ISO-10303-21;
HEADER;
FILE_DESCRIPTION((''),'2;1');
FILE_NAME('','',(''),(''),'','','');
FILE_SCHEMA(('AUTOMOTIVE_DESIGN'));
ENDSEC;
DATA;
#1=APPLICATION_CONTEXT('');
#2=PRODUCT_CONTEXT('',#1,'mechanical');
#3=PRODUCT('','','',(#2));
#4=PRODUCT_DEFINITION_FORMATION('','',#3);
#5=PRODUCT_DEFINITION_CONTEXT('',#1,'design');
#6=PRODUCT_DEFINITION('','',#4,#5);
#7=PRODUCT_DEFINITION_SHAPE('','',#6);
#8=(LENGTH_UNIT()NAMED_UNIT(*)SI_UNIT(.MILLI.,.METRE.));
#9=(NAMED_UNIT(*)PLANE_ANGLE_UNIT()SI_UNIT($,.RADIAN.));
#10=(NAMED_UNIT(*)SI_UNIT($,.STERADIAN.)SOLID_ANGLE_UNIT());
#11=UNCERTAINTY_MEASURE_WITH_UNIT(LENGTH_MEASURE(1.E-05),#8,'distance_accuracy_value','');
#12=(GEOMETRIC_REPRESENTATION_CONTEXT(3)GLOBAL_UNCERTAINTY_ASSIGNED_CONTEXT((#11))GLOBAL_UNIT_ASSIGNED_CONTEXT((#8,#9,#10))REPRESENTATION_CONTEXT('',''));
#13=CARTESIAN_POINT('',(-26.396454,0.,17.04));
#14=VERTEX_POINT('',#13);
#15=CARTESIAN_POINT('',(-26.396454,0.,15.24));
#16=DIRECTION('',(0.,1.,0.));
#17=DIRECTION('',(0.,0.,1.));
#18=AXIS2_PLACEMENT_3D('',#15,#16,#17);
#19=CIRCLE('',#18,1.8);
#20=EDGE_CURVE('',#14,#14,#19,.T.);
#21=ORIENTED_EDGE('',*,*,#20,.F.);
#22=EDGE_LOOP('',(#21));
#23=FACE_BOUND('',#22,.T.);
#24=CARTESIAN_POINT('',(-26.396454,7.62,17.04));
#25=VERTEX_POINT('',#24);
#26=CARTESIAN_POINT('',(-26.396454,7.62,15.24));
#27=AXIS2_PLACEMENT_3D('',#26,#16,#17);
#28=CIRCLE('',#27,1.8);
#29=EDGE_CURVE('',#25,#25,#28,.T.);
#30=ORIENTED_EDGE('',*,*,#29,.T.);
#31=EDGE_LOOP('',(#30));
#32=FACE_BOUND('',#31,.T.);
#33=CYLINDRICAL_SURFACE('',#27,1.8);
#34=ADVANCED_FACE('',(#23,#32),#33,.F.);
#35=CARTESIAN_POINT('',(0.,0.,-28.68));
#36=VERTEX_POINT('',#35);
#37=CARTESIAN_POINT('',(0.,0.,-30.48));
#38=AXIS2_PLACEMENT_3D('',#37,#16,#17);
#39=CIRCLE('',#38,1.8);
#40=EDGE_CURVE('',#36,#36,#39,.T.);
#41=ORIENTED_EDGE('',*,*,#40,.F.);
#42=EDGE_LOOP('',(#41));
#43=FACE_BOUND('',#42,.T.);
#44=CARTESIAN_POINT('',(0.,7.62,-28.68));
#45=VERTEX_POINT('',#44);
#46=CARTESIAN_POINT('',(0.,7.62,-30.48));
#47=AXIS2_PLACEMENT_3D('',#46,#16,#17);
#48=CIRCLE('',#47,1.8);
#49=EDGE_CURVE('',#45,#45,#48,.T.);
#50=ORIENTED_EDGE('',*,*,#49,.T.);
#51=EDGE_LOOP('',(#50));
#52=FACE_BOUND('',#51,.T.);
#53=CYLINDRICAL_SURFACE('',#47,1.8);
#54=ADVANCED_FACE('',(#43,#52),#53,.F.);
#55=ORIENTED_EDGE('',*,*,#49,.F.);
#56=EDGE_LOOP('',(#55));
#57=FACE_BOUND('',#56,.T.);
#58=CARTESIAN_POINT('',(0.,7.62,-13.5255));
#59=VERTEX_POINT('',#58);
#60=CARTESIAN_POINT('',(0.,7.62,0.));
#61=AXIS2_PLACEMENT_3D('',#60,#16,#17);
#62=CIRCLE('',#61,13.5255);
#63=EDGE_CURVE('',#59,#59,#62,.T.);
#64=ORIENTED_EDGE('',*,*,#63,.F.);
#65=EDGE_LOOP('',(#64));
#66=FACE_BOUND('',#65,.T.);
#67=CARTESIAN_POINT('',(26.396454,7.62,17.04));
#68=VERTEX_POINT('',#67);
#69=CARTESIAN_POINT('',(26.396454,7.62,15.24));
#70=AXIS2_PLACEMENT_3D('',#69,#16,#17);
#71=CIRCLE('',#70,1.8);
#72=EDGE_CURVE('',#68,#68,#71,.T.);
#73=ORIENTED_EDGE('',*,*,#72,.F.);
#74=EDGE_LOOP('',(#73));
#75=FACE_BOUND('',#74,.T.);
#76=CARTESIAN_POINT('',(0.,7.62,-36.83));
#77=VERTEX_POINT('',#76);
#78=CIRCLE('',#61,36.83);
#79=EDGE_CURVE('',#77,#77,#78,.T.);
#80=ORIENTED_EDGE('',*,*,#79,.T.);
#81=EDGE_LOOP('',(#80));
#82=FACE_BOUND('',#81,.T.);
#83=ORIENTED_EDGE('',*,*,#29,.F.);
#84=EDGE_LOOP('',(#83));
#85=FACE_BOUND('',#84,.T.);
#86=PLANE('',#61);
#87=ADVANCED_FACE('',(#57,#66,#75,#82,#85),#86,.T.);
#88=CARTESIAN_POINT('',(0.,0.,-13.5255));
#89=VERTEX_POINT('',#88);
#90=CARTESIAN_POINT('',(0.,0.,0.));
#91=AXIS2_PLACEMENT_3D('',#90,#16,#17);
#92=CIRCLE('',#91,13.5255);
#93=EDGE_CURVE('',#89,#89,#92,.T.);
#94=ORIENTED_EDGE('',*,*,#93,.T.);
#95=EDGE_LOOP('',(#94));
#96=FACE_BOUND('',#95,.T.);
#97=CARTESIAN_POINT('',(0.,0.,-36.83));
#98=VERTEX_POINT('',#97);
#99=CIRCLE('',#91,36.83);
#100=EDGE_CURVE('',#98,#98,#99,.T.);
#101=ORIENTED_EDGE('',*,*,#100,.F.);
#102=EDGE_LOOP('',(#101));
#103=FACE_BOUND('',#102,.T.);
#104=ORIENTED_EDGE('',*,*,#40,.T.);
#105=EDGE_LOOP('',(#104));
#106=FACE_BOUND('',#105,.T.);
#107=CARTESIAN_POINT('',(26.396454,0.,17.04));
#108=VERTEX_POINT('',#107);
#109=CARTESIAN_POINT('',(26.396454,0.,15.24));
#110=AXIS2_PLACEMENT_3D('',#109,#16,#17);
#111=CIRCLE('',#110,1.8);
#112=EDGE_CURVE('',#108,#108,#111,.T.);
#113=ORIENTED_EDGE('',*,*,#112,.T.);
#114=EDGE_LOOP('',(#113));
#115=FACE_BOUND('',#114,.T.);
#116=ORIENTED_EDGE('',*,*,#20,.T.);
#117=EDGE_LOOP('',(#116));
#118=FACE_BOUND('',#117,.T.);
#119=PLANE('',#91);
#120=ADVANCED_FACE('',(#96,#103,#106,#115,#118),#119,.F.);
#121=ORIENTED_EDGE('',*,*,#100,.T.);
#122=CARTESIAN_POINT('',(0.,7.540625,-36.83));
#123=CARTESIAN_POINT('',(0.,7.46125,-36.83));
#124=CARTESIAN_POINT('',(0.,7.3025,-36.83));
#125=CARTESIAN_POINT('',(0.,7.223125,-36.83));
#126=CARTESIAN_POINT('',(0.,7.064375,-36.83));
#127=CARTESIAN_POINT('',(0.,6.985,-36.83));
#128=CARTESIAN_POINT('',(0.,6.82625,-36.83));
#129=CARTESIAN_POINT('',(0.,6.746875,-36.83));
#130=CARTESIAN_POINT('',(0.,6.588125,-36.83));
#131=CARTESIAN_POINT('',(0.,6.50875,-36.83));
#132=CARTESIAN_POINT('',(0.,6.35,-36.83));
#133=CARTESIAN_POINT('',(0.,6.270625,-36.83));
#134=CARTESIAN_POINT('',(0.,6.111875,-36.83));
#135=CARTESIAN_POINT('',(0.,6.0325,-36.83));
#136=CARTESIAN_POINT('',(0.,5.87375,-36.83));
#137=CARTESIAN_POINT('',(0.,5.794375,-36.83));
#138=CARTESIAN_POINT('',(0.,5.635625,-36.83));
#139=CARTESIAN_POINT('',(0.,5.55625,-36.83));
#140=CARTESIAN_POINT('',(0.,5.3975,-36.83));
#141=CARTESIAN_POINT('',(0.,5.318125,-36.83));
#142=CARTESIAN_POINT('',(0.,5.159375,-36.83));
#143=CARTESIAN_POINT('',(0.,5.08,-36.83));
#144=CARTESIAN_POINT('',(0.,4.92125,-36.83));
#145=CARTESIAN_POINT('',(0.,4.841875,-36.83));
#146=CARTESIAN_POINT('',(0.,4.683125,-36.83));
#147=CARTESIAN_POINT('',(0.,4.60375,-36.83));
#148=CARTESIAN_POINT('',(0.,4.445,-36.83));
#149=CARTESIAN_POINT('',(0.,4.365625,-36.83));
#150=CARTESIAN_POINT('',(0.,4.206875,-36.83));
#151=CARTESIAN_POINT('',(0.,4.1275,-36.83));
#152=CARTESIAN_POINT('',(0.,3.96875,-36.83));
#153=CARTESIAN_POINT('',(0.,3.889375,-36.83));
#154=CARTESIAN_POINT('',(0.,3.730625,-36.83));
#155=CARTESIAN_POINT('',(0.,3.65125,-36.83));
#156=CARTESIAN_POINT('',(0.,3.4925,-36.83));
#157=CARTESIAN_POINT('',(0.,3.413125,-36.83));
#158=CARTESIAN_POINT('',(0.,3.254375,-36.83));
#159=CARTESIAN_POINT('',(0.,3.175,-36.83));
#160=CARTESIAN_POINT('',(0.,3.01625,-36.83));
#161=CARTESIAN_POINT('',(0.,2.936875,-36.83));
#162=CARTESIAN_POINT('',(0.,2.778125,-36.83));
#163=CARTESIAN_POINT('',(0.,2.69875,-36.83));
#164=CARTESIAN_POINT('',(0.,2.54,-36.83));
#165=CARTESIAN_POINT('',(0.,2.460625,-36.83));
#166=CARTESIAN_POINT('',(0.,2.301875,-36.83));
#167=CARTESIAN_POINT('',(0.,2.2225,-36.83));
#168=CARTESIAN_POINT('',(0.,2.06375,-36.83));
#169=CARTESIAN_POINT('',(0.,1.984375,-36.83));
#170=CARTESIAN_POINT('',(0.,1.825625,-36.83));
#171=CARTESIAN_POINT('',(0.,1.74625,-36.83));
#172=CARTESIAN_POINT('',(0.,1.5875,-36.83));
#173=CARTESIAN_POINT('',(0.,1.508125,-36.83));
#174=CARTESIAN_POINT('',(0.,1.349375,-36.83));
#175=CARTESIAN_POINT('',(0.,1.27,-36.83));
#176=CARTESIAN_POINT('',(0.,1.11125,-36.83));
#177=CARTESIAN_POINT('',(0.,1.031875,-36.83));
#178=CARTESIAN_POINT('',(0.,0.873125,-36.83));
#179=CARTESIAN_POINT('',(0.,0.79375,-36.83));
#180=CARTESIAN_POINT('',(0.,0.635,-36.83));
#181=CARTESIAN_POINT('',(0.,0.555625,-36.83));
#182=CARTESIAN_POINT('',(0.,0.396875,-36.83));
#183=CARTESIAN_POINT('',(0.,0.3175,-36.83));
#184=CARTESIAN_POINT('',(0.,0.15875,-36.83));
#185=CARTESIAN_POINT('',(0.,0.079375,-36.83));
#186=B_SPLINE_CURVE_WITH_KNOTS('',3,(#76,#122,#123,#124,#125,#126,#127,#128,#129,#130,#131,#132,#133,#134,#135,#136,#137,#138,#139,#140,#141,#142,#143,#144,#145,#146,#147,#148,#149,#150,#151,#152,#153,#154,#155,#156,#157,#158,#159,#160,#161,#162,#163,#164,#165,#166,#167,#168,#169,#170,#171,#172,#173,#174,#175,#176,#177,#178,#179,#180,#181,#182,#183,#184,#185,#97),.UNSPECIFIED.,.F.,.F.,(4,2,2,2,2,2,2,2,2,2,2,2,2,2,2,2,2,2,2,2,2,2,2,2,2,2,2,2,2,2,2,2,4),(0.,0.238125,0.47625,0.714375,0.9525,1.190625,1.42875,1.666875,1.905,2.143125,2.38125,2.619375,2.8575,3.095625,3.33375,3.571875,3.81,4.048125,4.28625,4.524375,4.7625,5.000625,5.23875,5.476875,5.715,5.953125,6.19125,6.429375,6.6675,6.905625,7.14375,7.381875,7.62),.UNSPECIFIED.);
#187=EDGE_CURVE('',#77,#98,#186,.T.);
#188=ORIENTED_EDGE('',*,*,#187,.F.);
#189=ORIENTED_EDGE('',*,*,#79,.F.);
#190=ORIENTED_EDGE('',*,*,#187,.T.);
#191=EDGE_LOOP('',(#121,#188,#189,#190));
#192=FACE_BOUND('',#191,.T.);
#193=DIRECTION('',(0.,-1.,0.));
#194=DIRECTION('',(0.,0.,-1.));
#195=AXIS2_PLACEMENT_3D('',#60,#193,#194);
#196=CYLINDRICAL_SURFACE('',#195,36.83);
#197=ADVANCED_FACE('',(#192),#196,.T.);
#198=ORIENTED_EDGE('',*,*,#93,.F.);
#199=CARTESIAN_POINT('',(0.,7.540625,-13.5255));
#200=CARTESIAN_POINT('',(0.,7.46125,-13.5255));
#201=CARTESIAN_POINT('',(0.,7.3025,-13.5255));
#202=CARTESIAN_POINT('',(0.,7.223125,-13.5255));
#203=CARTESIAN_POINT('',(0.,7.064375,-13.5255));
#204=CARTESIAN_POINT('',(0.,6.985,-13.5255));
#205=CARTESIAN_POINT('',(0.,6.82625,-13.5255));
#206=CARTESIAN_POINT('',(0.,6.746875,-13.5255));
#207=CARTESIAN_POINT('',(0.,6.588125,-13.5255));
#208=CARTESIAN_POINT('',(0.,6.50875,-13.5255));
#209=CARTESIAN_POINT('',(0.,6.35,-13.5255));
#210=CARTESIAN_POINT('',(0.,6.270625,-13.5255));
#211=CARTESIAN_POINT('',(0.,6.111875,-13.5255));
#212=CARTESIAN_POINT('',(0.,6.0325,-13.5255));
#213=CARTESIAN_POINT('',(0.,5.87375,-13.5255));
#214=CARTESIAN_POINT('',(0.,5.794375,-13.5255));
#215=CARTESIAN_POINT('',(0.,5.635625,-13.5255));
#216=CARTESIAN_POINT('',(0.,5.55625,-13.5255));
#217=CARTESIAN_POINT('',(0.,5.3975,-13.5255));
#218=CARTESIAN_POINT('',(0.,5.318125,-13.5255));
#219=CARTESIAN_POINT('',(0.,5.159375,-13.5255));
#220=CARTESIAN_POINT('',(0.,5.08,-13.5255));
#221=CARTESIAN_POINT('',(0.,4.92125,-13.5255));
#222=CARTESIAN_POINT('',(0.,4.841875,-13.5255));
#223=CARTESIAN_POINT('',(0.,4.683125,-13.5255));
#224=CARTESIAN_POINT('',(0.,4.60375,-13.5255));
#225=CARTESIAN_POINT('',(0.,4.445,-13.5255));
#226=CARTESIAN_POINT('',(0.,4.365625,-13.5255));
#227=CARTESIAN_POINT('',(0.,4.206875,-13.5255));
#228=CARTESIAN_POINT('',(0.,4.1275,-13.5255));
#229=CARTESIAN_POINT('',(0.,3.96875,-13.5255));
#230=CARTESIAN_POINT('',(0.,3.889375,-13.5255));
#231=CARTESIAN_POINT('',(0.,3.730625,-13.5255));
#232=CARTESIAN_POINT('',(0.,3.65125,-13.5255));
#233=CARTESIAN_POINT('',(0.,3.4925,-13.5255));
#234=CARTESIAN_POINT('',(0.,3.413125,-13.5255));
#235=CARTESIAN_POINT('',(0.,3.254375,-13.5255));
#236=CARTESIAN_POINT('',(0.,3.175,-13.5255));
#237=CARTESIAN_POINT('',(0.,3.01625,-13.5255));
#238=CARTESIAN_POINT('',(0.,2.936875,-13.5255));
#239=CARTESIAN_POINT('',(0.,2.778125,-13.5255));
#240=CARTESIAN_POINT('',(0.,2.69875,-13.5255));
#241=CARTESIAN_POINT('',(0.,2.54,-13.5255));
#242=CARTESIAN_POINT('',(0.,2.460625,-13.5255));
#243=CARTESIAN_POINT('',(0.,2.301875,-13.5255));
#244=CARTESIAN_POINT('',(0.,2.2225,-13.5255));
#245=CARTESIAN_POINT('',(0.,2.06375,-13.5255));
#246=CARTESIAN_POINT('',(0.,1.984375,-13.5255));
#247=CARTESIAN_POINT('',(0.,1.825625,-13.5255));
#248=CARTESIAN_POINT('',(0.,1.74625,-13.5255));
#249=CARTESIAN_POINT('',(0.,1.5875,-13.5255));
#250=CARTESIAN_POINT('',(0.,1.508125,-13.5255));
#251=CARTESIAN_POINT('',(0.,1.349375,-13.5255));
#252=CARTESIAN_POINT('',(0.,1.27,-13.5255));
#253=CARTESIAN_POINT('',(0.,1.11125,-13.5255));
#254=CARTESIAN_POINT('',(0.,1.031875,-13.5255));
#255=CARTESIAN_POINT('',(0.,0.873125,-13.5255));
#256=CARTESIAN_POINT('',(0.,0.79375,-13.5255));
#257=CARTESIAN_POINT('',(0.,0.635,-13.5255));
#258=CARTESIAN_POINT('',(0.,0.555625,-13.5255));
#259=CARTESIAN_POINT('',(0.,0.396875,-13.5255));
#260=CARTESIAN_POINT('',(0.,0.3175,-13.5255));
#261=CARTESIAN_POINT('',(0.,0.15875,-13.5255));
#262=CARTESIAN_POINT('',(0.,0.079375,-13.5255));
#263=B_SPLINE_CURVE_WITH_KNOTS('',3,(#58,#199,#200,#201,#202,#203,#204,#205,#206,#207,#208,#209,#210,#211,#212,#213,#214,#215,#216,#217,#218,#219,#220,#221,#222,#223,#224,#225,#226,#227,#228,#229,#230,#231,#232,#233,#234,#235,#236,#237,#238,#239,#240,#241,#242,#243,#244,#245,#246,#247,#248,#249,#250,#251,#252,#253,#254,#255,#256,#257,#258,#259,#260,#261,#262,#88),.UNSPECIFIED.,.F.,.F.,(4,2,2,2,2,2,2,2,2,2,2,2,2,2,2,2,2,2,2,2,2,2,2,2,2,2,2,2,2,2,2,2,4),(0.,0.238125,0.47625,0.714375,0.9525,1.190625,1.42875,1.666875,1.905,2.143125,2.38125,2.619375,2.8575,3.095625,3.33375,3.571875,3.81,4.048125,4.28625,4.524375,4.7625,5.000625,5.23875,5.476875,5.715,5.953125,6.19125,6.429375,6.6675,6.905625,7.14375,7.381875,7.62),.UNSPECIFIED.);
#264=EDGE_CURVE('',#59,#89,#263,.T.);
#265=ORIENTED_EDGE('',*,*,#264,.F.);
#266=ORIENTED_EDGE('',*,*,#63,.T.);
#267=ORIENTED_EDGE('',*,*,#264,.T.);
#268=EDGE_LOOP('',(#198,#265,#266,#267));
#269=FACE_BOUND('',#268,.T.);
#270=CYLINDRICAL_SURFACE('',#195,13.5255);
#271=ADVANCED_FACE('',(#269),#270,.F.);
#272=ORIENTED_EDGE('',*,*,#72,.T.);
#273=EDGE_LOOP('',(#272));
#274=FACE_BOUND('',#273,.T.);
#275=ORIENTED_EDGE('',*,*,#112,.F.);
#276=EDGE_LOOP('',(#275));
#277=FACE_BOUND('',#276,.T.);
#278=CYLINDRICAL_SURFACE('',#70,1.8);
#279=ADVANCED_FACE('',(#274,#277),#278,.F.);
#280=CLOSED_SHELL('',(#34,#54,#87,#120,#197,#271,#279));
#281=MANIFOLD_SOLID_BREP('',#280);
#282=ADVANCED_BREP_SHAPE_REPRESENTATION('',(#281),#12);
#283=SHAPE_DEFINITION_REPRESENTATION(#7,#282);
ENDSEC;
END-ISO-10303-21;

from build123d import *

# Parameters (mm, degrees)
SKETCH1_R            = 36.83
SKETCH1_R_2          = 13.5255
BOSS_EXTRUDE1_DEPTH  = 7.62
M3_CLEARANCE_HOLE1_D = 3.6


with BuildPart() as part:
    # Sketch1 → Boss-Extrude1 (new body)
    with BuildSketch(Plane(origin=(0, 0, 0), x_dir=(1, 0, 0), z_dir=(0, 1, 0))):
        with Locations(Location((0, 0, 0), (0, 0, 90))):
            Circle(SKETCH1_R)
        with Locations(Location((0, 0, 0), (0, 0, 90))):
            Circle(SKETCH1_R_2, mode=Mode.SUBTRACT)
    extrude(amount=BOSS_EXTRUDE1_DEPTH)

    # M3 Clearance Hole1 (through all)
    with Locations(Plane(origin=(0, 7.62, 0), x_dir=(1, 0, 0), z_dir=(0, 1, 0))):
        with Locations((0, 30.48), (26.396454307, -15.24), (-26.396454307, -15.24)):
            Hole(M3_CLEARANCE_HOLE1_D / 2)


solid = part.part
